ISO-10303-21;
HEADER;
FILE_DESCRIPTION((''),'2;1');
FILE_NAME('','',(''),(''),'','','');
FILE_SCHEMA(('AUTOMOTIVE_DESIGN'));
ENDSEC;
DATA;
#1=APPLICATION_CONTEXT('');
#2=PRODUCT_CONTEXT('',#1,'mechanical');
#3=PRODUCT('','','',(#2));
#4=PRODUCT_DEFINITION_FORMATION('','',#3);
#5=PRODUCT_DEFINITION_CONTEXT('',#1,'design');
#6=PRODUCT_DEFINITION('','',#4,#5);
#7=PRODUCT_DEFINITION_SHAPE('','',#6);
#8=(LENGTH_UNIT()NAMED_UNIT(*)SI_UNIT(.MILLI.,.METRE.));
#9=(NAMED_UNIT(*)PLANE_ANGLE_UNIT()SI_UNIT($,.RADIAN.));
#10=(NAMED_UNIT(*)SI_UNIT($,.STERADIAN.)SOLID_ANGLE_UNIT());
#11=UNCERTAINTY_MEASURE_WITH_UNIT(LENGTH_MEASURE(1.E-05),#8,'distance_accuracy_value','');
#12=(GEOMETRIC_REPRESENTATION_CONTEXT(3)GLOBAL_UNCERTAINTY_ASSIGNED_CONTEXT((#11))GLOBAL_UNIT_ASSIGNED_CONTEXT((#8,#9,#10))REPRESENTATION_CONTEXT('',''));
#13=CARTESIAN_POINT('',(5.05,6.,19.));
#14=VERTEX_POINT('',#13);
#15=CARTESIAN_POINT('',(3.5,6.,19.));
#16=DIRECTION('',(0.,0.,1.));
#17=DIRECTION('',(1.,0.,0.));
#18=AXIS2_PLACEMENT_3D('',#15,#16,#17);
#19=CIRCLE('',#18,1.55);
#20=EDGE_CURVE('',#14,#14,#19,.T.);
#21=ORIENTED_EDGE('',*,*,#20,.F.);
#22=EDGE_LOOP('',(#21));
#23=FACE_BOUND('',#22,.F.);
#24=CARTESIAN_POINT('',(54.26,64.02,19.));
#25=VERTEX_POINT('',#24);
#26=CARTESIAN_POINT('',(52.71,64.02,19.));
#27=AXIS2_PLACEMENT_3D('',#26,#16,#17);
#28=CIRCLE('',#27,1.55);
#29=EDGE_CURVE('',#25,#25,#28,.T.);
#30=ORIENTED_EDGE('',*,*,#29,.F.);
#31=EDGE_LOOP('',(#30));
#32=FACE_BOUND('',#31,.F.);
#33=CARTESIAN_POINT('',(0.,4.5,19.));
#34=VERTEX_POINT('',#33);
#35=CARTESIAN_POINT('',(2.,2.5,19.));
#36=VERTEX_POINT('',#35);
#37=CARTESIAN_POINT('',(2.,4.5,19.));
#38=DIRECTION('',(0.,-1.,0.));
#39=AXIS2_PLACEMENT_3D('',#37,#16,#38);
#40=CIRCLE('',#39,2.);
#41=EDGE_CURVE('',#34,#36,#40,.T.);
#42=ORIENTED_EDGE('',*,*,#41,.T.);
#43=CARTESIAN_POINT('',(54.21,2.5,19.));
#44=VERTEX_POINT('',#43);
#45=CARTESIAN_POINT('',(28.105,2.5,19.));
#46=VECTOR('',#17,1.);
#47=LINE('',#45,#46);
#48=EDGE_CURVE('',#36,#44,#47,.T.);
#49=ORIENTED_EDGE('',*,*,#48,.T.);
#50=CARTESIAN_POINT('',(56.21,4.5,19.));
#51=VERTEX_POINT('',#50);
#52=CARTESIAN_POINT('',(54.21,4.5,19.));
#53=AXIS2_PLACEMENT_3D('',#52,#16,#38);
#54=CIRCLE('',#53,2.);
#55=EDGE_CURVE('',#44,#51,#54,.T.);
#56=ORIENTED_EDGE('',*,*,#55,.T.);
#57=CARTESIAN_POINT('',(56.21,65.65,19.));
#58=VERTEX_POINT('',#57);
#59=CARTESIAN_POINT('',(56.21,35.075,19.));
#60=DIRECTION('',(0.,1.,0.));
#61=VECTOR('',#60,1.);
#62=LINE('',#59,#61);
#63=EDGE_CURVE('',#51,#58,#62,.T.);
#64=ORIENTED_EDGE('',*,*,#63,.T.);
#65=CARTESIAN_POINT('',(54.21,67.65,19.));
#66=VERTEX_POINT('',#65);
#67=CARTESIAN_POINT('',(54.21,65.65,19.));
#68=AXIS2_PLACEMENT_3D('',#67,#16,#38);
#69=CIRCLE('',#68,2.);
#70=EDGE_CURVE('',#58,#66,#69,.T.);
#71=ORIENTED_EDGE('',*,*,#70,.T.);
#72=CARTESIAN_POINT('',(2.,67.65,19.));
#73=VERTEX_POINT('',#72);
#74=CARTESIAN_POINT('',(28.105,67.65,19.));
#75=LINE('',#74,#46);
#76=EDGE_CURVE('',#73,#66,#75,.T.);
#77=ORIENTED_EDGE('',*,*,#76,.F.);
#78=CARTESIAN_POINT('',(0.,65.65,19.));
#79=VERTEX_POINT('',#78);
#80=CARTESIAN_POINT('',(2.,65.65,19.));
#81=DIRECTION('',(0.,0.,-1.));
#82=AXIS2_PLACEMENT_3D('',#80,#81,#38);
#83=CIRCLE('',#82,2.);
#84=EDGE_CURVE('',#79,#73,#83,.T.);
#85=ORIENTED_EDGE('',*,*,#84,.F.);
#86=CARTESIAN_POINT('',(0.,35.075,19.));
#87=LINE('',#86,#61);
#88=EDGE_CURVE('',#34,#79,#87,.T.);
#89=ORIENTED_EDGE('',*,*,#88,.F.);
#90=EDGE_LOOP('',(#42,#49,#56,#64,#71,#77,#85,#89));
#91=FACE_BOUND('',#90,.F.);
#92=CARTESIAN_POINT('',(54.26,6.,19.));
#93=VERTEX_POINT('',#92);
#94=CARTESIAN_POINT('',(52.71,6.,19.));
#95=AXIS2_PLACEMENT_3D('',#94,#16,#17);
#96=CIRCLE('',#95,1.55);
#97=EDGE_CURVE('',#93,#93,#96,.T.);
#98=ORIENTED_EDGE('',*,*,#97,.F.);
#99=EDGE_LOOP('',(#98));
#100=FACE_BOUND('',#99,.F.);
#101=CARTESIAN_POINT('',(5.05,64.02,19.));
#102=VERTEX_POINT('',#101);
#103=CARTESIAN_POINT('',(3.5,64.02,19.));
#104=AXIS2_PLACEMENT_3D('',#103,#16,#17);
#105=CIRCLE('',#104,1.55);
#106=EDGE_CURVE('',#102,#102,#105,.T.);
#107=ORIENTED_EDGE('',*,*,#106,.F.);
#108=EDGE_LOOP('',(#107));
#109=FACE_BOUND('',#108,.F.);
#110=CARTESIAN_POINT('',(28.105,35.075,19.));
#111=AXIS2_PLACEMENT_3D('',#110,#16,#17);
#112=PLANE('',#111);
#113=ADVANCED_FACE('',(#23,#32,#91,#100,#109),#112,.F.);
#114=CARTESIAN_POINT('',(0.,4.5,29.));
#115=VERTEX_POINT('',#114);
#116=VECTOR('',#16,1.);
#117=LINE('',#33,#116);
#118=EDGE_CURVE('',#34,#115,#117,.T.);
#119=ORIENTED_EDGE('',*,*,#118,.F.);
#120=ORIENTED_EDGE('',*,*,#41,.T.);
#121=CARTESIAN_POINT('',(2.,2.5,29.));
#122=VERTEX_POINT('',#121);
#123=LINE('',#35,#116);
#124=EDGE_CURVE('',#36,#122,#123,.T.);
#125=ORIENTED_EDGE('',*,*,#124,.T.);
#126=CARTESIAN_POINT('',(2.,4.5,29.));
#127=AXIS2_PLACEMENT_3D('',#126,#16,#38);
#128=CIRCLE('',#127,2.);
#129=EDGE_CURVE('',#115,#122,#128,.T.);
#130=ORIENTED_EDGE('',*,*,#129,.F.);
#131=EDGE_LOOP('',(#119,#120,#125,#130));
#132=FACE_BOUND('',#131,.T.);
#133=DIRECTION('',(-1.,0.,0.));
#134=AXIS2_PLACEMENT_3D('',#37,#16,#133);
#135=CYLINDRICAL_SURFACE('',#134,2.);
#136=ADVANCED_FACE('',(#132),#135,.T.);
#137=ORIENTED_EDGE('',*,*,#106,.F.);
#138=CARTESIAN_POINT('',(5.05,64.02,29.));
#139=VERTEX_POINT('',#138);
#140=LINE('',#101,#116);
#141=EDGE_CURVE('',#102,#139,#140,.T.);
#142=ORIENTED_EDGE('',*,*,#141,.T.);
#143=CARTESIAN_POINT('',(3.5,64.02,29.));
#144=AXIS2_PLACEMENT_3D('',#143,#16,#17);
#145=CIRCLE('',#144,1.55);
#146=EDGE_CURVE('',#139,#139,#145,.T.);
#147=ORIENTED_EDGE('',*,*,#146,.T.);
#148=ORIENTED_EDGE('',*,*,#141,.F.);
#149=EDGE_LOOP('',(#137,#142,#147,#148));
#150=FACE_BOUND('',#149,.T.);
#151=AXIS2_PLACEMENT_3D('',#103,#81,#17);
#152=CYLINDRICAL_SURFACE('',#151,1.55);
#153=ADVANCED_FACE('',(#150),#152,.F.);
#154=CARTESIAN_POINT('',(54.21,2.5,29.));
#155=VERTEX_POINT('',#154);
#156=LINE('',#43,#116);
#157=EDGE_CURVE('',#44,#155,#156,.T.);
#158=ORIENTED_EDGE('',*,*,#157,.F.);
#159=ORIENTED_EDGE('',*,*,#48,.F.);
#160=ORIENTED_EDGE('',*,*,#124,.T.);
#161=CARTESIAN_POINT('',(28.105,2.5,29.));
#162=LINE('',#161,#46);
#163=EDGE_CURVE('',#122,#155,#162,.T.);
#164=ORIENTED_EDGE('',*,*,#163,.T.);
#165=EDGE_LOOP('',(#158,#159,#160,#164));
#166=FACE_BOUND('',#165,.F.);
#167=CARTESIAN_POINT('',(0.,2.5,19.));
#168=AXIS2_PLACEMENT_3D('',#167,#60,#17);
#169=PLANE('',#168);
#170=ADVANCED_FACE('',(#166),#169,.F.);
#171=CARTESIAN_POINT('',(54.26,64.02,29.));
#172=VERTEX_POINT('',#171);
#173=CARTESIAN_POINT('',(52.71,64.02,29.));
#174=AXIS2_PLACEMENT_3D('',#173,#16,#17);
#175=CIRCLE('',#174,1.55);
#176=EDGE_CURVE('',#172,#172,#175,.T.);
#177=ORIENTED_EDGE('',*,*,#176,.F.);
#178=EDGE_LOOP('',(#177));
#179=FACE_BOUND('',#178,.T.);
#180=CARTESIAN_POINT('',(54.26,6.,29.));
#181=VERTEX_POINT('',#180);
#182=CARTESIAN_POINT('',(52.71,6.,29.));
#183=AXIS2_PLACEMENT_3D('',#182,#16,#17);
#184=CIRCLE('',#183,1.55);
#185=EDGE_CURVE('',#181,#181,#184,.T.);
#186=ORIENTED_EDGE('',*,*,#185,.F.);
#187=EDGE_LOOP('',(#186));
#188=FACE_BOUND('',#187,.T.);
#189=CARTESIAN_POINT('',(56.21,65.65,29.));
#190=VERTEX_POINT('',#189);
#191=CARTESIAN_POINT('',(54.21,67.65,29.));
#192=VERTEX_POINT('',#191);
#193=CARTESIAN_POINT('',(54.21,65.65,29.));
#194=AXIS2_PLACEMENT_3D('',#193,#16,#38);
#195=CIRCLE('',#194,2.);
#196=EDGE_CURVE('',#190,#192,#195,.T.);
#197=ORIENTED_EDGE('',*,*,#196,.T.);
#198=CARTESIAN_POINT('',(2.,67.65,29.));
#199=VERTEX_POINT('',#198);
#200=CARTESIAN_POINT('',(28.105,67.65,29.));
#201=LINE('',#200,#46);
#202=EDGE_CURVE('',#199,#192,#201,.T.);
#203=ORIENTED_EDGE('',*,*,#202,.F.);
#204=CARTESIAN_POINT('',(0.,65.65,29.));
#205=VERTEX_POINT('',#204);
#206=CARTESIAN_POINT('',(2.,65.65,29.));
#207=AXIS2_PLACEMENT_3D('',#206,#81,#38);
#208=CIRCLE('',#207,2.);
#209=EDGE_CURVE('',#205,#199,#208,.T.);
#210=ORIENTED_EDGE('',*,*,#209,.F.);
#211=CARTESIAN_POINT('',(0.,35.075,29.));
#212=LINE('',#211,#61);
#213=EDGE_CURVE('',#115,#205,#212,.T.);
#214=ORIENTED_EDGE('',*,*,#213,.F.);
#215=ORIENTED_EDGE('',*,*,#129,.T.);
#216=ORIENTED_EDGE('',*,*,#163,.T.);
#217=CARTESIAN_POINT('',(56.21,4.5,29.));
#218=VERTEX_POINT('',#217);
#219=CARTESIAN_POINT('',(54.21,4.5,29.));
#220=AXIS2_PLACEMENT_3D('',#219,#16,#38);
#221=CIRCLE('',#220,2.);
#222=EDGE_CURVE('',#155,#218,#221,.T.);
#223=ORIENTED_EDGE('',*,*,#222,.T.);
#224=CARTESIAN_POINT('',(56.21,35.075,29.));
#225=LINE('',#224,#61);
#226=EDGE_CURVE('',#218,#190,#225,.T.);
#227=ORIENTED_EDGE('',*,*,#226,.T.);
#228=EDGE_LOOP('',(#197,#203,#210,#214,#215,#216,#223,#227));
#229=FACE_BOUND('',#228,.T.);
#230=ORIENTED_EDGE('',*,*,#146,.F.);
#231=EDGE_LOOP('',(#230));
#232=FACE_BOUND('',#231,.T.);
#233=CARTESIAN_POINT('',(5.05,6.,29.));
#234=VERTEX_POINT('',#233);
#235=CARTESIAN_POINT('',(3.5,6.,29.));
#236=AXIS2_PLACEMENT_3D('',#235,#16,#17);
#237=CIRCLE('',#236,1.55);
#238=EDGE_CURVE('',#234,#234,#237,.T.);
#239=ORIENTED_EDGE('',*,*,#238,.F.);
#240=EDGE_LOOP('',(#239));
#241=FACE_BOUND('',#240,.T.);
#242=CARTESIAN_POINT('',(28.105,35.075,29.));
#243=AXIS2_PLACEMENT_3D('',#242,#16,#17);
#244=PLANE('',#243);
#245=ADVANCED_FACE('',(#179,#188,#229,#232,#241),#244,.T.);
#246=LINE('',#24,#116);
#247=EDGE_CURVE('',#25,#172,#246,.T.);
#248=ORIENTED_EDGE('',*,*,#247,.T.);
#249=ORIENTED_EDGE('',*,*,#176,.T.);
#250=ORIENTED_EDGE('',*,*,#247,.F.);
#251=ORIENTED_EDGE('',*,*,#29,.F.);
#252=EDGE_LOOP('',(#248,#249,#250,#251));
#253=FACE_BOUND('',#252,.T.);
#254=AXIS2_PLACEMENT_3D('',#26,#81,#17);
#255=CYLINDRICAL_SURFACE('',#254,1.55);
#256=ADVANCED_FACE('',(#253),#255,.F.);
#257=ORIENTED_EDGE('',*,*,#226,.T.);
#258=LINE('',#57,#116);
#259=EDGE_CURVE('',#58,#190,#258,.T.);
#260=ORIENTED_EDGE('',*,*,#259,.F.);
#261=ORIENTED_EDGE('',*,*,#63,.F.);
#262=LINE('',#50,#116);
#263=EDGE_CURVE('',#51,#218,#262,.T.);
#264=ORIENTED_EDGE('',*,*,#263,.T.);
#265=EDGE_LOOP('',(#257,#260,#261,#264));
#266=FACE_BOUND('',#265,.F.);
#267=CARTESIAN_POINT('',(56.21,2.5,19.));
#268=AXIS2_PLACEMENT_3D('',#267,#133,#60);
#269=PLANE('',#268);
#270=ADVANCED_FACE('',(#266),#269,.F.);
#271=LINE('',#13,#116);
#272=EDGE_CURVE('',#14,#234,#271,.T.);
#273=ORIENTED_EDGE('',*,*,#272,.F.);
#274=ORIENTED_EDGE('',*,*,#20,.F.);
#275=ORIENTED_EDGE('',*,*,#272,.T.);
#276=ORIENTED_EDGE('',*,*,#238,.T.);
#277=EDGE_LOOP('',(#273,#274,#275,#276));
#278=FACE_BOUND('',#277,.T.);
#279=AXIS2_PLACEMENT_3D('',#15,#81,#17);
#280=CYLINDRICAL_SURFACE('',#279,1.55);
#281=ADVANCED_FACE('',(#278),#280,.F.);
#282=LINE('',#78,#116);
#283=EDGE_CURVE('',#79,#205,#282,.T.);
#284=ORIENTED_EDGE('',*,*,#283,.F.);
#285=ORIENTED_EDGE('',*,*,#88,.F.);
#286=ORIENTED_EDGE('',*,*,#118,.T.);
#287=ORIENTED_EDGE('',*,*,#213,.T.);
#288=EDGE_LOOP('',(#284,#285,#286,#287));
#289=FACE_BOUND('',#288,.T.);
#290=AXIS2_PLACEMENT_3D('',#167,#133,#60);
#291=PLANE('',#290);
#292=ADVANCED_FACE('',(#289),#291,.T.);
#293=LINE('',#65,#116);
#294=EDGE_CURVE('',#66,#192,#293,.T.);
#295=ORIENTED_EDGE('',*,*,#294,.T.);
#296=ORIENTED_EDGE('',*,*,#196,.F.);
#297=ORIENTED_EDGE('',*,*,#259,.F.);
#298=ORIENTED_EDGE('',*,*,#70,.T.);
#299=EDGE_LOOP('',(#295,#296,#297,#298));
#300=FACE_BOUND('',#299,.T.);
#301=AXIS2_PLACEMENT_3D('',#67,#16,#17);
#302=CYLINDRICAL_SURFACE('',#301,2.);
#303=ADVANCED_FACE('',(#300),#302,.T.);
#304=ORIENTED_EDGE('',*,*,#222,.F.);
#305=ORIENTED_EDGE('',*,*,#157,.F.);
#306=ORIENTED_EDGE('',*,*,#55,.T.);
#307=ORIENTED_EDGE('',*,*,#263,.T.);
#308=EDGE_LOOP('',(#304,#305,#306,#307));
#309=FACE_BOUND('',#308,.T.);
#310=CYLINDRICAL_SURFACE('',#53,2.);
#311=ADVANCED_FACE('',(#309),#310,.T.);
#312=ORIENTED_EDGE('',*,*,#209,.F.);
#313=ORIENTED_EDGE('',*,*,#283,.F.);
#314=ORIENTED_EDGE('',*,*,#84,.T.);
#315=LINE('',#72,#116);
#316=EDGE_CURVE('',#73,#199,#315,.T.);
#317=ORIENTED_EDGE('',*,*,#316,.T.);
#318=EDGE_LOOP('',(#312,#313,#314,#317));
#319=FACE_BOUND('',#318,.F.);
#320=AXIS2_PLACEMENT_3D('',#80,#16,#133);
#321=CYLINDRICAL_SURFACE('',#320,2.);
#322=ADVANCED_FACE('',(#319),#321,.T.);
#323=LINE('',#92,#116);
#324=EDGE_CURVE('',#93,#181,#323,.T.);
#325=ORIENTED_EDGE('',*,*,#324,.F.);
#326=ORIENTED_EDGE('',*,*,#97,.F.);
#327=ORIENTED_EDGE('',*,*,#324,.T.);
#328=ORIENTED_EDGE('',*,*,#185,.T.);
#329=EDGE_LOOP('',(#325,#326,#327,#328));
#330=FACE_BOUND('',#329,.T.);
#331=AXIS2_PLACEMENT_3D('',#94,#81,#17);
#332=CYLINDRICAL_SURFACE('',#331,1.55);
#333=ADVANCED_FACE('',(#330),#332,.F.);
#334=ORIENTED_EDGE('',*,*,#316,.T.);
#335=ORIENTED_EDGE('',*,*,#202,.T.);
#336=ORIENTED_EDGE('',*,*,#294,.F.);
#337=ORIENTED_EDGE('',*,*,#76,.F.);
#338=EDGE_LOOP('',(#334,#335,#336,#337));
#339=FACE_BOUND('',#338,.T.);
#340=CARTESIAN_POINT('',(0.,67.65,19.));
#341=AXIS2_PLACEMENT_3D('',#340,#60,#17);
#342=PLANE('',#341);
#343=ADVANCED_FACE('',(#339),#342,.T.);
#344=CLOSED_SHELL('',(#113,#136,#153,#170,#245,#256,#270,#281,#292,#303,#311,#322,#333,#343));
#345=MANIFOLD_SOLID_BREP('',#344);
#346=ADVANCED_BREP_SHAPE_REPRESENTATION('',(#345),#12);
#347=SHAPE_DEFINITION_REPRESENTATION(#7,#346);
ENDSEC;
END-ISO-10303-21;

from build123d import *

# Parameters (mm, degrees)
CYLINDER010_R     = 1.55
CYLINDER010_DEPTH = 10
CYLINDER011_R     = 1.55
CYLINDER011_DEPTH = 10
CYLINDER012_R     = 1.55
CYLINDER012_DEPTH = 10
CYLINDER_R        = 1.55
CYLINDER_DEPTH    = 10
BOX_W             = 56.21
BOX_H             = 65.15
BOX_DEPTH         = 10
FILLET024_R       = 2


with BuildPart() as cylinder010:
    # Cylinder010 → Cylinder010 (new body)
    with BuildSketch(Plane(origin=(3.5, 61.52, 0), x_dir=(1, 0, 0), z_dir=(0, 0, 1))):
        Circle(CYLINDER010_R)
    extrude(amount=CYLINDER010_DEPTH)


with BuildPart() as cylinder011:
    # Cylinder011 → Cylinder011 (new body)
    with BuildSketch(Plane(origin=(52.71, 3.5, 0), x_dir=(1, 0, 0), z_dir=(0, 0, 1))):
        Circle(CYLINDER011_R)
    extrude(amount=CYLINDER011_DEPTH)


with BuildPart() as cylinder012:
    # Cylinder012 → Cylinder012 (new body)
    with BuildSketch(Plane(origin=(52.71, 61.52, 0), x_dir=(1, 0, 0), z_dir=(0, 0, 1))):
        Circle(CYLINDER012_R)
    extrude(amount=CYLINDER012_DEPTH)


with BuildPart() as fusion_holes:
    # Cylinder → Cylinder (new body)
    with BuildSketch(Plane(origin=(3.5, 3.5, 0), x_dir=(1, 0, 0), z_dir=(0, 0, 1))):
        Circle(CYLINDER_R)
    extrude(amount=CYLINDER_DEPTH)

    # Fusion: union Cylinder010, Cylinder011, Cylinder012
    add(cylinder010.part)
    add(cylinder011.part)
    add(cylinder012.part)


with BuildPart() as board:
    # Box → Box (new body)
    with BuildSketch(Plane.XY):
        with Locations((28.105, 32.575)):
            Rectangle(BOX_W, BOX_H)
    extrude(amount=BOX_DEPTH)

    # Fillet024
    fillet024_edges = [board.edges().sort_by_distance(p)[0] for p in [
        (0, 0, 5),
        (0, 65.15, 5),
        (56.21, 0, 5),
        (56.21, 65.15, 5),
    ]]
    fillet(fillet024_edges, radius=FILLET024_R)

    # Cut: cut Fusion - holes
    add(fusion_holes.part, mode=Mode.SUBTRACT)


with BuildPart() as board_1:
    # Cut placement: moved
    add(board.part.moved(Location((0, 2.5, 19))))


solid = board_1.part
